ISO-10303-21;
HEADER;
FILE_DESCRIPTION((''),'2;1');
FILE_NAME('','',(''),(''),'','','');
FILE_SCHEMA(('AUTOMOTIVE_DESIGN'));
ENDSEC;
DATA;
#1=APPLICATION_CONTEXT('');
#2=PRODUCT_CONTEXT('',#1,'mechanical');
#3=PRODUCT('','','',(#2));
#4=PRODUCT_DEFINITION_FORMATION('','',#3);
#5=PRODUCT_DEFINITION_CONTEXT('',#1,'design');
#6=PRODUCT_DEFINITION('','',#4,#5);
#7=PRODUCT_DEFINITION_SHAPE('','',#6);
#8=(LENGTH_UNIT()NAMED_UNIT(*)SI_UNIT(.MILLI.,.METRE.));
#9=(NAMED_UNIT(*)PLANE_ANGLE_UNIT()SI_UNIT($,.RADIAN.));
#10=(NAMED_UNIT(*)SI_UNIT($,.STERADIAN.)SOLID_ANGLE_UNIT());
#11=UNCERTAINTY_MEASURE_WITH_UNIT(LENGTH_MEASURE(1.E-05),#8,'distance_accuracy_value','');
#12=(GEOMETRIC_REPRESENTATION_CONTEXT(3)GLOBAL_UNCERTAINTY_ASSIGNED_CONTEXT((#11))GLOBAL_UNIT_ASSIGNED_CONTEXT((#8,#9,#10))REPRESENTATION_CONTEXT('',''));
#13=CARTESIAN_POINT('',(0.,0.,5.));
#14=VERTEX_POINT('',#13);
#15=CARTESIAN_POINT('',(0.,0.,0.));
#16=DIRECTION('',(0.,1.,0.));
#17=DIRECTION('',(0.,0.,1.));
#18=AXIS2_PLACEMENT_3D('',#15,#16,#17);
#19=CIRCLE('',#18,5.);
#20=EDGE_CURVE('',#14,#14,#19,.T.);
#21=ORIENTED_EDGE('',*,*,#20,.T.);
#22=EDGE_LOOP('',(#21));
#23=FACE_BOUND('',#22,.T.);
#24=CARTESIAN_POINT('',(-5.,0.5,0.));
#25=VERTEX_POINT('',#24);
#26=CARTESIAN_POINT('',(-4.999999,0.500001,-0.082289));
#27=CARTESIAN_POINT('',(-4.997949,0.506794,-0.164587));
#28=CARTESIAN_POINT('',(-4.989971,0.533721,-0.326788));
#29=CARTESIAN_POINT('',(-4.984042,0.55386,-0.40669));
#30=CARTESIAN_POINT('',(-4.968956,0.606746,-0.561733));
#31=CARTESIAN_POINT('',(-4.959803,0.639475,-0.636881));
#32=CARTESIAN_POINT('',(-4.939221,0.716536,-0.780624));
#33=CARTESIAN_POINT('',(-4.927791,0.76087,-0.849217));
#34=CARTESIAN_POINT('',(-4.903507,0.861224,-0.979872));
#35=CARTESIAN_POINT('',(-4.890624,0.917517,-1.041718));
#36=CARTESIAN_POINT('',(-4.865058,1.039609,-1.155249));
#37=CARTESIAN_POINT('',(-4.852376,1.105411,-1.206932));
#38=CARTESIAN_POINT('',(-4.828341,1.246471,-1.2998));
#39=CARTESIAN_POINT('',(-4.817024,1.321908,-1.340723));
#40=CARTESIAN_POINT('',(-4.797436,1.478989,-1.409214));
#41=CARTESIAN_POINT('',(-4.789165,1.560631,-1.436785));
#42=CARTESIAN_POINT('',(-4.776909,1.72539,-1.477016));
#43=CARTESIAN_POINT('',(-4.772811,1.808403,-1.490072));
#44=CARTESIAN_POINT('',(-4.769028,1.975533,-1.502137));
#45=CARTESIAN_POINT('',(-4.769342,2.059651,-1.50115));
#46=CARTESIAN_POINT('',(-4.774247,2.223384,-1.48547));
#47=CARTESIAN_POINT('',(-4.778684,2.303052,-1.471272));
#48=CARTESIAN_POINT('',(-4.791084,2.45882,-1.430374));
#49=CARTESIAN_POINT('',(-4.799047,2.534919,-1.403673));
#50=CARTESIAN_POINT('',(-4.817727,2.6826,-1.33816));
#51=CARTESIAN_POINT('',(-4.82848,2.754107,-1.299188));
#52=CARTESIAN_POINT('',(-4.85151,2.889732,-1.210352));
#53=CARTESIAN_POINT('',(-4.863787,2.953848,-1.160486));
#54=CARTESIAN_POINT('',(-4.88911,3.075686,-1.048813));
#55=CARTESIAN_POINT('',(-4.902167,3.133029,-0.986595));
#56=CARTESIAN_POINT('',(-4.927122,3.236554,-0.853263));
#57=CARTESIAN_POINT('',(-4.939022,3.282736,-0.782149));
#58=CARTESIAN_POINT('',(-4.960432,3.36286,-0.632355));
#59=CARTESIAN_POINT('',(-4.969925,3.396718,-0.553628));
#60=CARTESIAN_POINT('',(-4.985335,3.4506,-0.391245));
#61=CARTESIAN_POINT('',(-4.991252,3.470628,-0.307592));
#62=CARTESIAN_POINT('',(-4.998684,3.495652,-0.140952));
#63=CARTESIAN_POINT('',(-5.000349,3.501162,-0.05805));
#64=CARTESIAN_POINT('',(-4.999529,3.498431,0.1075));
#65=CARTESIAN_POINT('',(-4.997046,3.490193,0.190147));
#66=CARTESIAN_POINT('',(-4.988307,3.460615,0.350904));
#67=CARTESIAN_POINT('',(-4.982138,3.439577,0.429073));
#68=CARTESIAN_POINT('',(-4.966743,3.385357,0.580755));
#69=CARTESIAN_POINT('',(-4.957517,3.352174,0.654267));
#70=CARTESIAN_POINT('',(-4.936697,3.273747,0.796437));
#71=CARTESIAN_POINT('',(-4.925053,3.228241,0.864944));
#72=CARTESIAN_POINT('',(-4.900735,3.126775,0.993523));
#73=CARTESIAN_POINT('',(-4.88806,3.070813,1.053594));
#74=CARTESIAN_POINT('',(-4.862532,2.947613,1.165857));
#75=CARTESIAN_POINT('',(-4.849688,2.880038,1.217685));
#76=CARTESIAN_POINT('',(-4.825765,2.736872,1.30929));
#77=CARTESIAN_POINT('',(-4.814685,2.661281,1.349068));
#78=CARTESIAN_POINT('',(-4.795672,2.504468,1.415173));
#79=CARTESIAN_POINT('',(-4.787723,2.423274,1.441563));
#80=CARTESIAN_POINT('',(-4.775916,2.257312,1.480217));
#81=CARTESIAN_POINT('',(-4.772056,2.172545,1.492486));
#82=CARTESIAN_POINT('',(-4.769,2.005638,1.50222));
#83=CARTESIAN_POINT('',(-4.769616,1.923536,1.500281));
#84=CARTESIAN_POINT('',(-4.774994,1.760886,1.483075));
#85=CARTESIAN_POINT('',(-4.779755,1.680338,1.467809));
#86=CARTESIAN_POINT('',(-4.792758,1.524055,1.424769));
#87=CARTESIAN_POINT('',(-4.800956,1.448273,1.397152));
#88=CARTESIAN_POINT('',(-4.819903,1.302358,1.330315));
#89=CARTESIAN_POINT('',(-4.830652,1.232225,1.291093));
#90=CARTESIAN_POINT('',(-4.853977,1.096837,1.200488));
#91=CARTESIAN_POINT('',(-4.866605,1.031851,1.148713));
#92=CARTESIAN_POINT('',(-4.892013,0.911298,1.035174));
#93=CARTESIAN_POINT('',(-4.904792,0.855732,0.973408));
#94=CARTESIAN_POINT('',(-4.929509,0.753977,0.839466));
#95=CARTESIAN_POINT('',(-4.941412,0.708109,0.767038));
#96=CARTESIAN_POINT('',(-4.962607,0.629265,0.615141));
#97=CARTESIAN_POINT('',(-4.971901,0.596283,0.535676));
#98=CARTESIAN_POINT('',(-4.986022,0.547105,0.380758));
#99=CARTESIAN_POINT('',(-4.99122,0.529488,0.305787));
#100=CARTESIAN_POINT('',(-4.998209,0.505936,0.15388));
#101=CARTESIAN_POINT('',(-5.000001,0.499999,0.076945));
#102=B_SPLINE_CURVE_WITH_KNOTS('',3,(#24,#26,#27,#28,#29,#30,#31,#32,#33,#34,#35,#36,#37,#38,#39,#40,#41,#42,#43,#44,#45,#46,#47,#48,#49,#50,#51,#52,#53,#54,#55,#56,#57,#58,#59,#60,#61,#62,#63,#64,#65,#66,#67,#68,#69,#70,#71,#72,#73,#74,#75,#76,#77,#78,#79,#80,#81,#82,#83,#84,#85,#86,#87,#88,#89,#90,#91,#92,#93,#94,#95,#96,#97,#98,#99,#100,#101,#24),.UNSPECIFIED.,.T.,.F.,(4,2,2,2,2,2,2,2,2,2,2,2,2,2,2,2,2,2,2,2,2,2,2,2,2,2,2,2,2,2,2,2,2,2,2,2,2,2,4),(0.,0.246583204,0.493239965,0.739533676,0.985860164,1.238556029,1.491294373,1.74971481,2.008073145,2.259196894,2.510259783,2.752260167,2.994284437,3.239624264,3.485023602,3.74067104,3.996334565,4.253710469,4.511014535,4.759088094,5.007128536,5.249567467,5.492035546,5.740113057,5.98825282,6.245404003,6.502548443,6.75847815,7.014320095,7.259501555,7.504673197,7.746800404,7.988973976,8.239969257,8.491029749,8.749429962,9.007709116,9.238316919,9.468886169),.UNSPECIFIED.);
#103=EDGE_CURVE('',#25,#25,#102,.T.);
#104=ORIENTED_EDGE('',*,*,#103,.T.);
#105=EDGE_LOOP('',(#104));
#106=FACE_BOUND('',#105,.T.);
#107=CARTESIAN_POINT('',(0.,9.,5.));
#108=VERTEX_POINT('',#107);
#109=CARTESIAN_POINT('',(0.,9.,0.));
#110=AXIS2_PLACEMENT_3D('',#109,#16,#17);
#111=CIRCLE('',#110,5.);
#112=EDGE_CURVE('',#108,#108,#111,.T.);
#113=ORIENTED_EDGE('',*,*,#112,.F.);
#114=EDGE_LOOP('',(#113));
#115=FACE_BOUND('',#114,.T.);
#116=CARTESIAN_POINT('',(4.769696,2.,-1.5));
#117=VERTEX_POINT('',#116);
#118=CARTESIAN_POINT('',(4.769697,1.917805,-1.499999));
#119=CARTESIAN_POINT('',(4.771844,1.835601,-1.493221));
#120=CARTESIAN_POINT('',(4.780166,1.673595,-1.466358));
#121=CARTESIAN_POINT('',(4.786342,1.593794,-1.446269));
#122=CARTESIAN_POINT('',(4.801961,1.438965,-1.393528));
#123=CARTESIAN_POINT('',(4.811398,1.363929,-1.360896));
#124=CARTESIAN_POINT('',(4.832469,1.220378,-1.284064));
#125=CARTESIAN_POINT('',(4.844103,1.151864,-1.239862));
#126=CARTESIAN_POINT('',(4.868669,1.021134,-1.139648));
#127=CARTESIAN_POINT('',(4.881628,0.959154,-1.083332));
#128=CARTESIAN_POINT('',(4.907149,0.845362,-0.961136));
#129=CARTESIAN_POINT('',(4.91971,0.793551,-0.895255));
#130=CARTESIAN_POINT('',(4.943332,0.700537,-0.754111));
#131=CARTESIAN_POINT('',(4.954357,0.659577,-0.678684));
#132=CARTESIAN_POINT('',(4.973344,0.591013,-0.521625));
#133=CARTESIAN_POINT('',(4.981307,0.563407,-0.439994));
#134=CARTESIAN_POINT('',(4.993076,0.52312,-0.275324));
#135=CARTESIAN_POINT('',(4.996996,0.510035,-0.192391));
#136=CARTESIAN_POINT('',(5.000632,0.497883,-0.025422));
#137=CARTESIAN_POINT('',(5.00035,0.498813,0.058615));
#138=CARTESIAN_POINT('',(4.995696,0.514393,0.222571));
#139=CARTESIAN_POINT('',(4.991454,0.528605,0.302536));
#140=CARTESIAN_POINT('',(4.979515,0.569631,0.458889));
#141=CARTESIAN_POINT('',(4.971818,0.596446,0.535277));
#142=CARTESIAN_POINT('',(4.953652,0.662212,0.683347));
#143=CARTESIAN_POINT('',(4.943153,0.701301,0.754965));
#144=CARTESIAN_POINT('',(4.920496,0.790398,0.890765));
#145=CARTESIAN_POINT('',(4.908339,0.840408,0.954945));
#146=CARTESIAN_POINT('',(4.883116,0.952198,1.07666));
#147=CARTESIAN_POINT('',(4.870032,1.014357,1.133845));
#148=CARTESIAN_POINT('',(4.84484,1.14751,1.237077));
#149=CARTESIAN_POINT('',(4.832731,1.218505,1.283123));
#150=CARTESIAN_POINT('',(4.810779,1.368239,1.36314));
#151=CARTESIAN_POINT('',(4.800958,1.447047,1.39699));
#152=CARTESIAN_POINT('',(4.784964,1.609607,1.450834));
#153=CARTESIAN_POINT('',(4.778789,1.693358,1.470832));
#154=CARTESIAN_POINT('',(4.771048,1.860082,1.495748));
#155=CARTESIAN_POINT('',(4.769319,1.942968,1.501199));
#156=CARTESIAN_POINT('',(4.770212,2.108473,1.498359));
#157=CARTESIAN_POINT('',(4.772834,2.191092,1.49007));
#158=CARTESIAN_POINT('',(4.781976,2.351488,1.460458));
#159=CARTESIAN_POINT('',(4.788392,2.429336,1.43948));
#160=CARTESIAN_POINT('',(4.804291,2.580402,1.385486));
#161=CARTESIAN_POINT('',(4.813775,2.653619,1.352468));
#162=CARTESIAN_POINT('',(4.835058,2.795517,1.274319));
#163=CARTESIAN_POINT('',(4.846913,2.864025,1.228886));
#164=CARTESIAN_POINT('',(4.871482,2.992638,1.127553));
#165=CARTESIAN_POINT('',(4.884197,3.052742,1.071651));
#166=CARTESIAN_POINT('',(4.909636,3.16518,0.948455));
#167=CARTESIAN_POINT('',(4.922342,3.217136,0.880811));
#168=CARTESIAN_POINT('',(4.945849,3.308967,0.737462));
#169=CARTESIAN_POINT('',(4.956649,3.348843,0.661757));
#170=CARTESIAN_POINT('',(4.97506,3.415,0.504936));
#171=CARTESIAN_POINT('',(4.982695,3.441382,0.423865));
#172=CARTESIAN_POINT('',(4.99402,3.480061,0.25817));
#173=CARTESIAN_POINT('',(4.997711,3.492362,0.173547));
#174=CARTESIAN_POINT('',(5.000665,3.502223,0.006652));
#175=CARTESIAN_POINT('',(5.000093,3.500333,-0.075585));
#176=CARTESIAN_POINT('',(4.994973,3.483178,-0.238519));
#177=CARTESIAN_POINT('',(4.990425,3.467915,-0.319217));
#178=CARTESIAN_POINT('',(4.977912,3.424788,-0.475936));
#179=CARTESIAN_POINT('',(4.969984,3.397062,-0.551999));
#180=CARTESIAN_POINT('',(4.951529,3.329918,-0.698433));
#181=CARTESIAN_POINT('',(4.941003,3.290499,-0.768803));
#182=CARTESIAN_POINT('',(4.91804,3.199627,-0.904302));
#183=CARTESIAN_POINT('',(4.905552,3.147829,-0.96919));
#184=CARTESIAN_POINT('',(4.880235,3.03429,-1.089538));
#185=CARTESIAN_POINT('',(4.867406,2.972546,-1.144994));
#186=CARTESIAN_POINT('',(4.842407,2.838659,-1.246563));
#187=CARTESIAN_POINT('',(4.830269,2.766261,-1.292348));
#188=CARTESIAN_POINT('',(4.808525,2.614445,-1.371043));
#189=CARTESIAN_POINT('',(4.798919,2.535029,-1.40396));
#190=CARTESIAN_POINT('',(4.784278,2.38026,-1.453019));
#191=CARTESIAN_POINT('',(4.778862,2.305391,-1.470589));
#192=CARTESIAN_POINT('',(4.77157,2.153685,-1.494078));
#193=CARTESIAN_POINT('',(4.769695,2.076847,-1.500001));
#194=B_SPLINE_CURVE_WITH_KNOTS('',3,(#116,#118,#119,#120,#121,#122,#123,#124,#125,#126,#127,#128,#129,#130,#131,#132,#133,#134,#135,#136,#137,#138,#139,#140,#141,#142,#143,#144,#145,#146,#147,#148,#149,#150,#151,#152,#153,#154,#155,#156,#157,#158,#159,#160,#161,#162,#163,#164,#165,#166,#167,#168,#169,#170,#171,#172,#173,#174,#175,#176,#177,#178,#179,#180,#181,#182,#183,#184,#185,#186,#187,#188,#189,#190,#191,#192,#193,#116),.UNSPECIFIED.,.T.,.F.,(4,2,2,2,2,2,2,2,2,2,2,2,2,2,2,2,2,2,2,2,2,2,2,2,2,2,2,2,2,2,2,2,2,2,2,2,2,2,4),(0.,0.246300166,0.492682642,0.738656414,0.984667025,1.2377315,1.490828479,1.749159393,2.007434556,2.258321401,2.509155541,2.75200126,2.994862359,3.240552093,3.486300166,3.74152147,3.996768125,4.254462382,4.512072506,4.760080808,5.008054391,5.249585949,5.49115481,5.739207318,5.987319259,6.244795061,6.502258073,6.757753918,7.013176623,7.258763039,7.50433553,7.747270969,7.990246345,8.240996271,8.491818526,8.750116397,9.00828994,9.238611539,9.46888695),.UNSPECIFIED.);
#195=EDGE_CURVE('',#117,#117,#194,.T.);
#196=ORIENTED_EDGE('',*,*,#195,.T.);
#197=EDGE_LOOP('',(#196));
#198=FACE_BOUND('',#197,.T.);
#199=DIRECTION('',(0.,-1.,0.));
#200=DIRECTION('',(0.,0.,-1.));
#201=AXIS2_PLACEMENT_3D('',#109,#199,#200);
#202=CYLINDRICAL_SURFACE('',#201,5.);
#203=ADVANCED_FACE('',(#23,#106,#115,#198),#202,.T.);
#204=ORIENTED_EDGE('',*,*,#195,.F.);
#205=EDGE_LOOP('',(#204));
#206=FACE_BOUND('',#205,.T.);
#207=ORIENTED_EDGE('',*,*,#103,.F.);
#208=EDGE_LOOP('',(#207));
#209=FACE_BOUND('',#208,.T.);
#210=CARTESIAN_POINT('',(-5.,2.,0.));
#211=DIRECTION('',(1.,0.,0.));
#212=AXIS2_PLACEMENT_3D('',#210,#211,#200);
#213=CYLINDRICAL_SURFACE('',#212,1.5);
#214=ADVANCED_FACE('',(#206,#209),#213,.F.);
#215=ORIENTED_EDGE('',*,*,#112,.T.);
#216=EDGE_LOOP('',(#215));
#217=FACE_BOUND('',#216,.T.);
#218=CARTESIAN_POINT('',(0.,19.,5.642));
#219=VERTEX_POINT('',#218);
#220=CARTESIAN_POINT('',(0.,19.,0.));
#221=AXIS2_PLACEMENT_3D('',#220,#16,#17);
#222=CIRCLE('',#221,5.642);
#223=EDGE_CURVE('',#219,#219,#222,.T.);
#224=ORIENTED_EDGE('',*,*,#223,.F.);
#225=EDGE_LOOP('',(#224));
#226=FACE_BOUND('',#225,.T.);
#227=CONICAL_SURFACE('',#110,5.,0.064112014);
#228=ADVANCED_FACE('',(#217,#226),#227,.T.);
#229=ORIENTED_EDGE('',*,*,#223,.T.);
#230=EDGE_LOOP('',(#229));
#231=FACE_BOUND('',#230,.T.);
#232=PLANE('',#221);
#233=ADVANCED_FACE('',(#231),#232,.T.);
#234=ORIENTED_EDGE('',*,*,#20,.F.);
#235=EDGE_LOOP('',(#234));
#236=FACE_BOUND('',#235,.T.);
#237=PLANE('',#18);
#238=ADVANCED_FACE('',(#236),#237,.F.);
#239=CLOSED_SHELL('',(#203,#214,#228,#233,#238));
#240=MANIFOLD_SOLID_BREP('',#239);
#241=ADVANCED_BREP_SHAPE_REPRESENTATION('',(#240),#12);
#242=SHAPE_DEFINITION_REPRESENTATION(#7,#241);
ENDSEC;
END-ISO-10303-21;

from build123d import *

# Parameters (mm, degrees)
SKETCH1_R             = 5
BODY_DEPTH            = 9
PIN_INSERT_DEPTH      = 12.445523142
PIN_INSERT_DEPTH_BACK = 12.445523142
SKETCH2_R             = 1.5
HEAD_SA_R             = 5.642


with BuildPart() as part:
    # Sketch1 → body (new body)
    with BuildSketch(Plane(origin=(0, 0, 0), x_dir=(1, 0, 0), z_dir=(0, 1, 0))):
        with Locations(Location((0, 0, 0), (0, 0, 270))):
            Circle(SKETCH1_R)
    extrude(amount=BODY_DEPTH)

    # Sketch2 → pin insert (cut, two sides: drawn at the far end of the back side and taken through both)
    with BuildSketch(Plane(origin=(0, 0, 0), x_dir=(0, 0, -1), z_dir=(1, 0, 0)).offset(-PIN_INSERT_DEPTH_BACK)):
        with Locations((0, 2)):
            Circle(SKETCH2_R)
    extrude(amount=PIN_INSERT_DEPTH + PIN_INSERT_DEPTH_BACK, mode=Mode.SUBTRACT)

    # head SA → section 0 of cone
    with BuildSketch(Plane(origin=(0, 19, 0), x_dir=(1, 0, 0), z_dir=(0, 1, 0)), mode=Mode.PRIVATE) as cone_s0:
        Circle(HEAD_SA_R)
    # loft up to a face of the part (cone)
    loft([cone_s0.sketch, part.faces().sort_by_distance((0, 9, 0))[0]])


solid = part.part
